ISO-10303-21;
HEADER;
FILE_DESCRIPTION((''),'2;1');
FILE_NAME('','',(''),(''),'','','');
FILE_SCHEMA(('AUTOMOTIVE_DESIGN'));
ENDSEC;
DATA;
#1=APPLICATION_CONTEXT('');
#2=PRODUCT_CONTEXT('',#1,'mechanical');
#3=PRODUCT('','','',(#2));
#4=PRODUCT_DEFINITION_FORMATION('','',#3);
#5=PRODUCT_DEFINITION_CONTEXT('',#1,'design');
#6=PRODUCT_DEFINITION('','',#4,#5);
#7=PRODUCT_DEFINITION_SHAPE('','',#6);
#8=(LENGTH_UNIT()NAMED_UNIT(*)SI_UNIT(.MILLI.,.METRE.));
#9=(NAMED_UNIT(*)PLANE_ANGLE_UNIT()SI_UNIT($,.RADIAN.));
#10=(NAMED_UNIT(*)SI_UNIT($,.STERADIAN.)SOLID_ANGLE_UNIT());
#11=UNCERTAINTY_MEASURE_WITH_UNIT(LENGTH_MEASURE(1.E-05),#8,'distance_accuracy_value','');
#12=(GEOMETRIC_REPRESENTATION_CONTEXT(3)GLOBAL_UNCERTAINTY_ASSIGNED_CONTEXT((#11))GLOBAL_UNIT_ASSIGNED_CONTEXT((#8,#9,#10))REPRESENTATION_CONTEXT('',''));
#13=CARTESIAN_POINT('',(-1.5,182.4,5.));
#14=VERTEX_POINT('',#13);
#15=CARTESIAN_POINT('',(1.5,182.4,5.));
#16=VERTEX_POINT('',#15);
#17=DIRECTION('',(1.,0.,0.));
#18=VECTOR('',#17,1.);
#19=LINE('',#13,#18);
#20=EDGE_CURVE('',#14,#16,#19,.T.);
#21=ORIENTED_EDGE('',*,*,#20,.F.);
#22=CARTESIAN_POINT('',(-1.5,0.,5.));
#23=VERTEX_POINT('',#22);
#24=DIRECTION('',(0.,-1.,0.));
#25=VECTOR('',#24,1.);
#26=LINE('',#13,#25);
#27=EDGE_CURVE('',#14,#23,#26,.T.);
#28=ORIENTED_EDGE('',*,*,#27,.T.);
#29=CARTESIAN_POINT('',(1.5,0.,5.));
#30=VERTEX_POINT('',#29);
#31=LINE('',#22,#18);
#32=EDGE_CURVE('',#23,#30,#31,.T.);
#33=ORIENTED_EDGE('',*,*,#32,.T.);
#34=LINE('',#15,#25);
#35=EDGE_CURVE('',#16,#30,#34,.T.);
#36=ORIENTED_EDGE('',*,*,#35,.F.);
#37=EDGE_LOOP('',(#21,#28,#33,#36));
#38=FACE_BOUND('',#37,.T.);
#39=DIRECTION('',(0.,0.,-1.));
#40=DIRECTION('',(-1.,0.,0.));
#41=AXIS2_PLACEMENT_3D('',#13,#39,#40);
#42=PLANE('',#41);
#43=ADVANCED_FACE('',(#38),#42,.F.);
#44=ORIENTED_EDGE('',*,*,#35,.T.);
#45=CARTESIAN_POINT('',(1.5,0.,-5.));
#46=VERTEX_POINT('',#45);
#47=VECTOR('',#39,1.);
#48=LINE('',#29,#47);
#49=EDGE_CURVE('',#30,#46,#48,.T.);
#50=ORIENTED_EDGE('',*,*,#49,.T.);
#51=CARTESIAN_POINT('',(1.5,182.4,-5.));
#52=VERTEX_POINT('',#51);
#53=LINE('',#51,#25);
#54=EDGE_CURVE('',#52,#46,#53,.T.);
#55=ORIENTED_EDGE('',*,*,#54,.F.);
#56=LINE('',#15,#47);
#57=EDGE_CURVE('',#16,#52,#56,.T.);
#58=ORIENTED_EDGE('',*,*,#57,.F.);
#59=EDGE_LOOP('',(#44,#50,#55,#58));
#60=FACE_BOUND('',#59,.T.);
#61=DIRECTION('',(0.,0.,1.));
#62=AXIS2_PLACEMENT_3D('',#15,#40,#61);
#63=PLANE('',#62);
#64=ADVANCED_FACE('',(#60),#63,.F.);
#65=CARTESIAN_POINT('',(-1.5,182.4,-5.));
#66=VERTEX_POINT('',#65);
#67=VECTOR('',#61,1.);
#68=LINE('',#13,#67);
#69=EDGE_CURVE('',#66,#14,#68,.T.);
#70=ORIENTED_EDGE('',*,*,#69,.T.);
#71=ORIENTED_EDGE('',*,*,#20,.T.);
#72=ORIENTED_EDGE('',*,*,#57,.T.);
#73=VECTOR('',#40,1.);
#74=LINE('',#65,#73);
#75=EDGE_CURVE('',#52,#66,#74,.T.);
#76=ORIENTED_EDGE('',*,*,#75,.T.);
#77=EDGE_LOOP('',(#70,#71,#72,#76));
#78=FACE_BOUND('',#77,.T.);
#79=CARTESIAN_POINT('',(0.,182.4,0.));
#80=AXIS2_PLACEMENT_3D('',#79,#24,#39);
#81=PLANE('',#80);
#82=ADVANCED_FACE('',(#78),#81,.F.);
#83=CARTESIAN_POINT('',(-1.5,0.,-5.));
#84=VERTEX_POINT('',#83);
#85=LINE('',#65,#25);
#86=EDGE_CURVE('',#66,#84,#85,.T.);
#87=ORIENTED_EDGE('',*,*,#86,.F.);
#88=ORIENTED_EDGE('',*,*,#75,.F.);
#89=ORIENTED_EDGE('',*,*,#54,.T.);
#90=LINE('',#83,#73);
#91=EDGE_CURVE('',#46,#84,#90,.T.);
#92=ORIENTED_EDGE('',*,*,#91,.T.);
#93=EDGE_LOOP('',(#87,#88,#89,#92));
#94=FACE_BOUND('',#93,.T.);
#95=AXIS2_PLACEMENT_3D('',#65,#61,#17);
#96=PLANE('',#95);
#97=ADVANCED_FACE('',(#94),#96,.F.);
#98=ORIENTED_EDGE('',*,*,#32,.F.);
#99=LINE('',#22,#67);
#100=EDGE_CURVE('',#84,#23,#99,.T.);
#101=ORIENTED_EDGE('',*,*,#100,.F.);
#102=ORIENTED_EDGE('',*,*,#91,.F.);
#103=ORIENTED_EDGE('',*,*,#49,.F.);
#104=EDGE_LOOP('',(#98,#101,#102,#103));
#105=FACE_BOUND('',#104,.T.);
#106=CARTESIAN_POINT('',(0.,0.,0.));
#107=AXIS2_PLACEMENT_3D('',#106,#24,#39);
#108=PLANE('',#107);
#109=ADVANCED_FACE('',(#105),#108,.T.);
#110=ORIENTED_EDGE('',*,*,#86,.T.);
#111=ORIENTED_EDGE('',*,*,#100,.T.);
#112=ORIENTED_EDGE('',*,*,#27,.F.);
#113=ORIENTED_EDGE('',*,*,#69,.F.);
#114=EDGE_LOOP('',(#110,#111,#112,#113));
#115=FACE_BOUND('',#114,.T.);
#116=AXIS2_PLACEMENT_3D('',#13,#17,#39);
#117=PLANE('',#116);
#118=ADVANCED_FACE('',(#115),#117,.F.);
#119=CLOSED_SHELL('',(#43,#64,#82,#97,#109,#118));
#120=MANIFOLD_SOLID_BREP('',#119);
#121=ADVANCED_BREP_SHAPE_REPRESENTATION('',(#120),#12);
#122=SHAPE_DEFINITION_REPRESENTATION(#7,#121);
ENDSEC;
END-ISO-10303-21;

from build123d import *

# Parameters (mm, degrees)
SKIZZE1_W                       = 3
SKIZZE1_H                       = 10
AUFSATZ_LINEAR_AUSTRAGEN1_DEPTH = 182.4


with BuildPart() as part:
    # Skizze1 → Aufsatz-Linear austragen1 (new body)
    with BuildSketch(Plane(origin=(0, 0, 0), x_dir=(1, 0, 0), z_dir=(0, 1, 0))):
        Rectangle(SKIZZE1_W, SKIZZE1_H)
    extrude(amount=AUFSATZ_LINEAR_AUSTRAGEN1_DEPTH)


solid = part.part
